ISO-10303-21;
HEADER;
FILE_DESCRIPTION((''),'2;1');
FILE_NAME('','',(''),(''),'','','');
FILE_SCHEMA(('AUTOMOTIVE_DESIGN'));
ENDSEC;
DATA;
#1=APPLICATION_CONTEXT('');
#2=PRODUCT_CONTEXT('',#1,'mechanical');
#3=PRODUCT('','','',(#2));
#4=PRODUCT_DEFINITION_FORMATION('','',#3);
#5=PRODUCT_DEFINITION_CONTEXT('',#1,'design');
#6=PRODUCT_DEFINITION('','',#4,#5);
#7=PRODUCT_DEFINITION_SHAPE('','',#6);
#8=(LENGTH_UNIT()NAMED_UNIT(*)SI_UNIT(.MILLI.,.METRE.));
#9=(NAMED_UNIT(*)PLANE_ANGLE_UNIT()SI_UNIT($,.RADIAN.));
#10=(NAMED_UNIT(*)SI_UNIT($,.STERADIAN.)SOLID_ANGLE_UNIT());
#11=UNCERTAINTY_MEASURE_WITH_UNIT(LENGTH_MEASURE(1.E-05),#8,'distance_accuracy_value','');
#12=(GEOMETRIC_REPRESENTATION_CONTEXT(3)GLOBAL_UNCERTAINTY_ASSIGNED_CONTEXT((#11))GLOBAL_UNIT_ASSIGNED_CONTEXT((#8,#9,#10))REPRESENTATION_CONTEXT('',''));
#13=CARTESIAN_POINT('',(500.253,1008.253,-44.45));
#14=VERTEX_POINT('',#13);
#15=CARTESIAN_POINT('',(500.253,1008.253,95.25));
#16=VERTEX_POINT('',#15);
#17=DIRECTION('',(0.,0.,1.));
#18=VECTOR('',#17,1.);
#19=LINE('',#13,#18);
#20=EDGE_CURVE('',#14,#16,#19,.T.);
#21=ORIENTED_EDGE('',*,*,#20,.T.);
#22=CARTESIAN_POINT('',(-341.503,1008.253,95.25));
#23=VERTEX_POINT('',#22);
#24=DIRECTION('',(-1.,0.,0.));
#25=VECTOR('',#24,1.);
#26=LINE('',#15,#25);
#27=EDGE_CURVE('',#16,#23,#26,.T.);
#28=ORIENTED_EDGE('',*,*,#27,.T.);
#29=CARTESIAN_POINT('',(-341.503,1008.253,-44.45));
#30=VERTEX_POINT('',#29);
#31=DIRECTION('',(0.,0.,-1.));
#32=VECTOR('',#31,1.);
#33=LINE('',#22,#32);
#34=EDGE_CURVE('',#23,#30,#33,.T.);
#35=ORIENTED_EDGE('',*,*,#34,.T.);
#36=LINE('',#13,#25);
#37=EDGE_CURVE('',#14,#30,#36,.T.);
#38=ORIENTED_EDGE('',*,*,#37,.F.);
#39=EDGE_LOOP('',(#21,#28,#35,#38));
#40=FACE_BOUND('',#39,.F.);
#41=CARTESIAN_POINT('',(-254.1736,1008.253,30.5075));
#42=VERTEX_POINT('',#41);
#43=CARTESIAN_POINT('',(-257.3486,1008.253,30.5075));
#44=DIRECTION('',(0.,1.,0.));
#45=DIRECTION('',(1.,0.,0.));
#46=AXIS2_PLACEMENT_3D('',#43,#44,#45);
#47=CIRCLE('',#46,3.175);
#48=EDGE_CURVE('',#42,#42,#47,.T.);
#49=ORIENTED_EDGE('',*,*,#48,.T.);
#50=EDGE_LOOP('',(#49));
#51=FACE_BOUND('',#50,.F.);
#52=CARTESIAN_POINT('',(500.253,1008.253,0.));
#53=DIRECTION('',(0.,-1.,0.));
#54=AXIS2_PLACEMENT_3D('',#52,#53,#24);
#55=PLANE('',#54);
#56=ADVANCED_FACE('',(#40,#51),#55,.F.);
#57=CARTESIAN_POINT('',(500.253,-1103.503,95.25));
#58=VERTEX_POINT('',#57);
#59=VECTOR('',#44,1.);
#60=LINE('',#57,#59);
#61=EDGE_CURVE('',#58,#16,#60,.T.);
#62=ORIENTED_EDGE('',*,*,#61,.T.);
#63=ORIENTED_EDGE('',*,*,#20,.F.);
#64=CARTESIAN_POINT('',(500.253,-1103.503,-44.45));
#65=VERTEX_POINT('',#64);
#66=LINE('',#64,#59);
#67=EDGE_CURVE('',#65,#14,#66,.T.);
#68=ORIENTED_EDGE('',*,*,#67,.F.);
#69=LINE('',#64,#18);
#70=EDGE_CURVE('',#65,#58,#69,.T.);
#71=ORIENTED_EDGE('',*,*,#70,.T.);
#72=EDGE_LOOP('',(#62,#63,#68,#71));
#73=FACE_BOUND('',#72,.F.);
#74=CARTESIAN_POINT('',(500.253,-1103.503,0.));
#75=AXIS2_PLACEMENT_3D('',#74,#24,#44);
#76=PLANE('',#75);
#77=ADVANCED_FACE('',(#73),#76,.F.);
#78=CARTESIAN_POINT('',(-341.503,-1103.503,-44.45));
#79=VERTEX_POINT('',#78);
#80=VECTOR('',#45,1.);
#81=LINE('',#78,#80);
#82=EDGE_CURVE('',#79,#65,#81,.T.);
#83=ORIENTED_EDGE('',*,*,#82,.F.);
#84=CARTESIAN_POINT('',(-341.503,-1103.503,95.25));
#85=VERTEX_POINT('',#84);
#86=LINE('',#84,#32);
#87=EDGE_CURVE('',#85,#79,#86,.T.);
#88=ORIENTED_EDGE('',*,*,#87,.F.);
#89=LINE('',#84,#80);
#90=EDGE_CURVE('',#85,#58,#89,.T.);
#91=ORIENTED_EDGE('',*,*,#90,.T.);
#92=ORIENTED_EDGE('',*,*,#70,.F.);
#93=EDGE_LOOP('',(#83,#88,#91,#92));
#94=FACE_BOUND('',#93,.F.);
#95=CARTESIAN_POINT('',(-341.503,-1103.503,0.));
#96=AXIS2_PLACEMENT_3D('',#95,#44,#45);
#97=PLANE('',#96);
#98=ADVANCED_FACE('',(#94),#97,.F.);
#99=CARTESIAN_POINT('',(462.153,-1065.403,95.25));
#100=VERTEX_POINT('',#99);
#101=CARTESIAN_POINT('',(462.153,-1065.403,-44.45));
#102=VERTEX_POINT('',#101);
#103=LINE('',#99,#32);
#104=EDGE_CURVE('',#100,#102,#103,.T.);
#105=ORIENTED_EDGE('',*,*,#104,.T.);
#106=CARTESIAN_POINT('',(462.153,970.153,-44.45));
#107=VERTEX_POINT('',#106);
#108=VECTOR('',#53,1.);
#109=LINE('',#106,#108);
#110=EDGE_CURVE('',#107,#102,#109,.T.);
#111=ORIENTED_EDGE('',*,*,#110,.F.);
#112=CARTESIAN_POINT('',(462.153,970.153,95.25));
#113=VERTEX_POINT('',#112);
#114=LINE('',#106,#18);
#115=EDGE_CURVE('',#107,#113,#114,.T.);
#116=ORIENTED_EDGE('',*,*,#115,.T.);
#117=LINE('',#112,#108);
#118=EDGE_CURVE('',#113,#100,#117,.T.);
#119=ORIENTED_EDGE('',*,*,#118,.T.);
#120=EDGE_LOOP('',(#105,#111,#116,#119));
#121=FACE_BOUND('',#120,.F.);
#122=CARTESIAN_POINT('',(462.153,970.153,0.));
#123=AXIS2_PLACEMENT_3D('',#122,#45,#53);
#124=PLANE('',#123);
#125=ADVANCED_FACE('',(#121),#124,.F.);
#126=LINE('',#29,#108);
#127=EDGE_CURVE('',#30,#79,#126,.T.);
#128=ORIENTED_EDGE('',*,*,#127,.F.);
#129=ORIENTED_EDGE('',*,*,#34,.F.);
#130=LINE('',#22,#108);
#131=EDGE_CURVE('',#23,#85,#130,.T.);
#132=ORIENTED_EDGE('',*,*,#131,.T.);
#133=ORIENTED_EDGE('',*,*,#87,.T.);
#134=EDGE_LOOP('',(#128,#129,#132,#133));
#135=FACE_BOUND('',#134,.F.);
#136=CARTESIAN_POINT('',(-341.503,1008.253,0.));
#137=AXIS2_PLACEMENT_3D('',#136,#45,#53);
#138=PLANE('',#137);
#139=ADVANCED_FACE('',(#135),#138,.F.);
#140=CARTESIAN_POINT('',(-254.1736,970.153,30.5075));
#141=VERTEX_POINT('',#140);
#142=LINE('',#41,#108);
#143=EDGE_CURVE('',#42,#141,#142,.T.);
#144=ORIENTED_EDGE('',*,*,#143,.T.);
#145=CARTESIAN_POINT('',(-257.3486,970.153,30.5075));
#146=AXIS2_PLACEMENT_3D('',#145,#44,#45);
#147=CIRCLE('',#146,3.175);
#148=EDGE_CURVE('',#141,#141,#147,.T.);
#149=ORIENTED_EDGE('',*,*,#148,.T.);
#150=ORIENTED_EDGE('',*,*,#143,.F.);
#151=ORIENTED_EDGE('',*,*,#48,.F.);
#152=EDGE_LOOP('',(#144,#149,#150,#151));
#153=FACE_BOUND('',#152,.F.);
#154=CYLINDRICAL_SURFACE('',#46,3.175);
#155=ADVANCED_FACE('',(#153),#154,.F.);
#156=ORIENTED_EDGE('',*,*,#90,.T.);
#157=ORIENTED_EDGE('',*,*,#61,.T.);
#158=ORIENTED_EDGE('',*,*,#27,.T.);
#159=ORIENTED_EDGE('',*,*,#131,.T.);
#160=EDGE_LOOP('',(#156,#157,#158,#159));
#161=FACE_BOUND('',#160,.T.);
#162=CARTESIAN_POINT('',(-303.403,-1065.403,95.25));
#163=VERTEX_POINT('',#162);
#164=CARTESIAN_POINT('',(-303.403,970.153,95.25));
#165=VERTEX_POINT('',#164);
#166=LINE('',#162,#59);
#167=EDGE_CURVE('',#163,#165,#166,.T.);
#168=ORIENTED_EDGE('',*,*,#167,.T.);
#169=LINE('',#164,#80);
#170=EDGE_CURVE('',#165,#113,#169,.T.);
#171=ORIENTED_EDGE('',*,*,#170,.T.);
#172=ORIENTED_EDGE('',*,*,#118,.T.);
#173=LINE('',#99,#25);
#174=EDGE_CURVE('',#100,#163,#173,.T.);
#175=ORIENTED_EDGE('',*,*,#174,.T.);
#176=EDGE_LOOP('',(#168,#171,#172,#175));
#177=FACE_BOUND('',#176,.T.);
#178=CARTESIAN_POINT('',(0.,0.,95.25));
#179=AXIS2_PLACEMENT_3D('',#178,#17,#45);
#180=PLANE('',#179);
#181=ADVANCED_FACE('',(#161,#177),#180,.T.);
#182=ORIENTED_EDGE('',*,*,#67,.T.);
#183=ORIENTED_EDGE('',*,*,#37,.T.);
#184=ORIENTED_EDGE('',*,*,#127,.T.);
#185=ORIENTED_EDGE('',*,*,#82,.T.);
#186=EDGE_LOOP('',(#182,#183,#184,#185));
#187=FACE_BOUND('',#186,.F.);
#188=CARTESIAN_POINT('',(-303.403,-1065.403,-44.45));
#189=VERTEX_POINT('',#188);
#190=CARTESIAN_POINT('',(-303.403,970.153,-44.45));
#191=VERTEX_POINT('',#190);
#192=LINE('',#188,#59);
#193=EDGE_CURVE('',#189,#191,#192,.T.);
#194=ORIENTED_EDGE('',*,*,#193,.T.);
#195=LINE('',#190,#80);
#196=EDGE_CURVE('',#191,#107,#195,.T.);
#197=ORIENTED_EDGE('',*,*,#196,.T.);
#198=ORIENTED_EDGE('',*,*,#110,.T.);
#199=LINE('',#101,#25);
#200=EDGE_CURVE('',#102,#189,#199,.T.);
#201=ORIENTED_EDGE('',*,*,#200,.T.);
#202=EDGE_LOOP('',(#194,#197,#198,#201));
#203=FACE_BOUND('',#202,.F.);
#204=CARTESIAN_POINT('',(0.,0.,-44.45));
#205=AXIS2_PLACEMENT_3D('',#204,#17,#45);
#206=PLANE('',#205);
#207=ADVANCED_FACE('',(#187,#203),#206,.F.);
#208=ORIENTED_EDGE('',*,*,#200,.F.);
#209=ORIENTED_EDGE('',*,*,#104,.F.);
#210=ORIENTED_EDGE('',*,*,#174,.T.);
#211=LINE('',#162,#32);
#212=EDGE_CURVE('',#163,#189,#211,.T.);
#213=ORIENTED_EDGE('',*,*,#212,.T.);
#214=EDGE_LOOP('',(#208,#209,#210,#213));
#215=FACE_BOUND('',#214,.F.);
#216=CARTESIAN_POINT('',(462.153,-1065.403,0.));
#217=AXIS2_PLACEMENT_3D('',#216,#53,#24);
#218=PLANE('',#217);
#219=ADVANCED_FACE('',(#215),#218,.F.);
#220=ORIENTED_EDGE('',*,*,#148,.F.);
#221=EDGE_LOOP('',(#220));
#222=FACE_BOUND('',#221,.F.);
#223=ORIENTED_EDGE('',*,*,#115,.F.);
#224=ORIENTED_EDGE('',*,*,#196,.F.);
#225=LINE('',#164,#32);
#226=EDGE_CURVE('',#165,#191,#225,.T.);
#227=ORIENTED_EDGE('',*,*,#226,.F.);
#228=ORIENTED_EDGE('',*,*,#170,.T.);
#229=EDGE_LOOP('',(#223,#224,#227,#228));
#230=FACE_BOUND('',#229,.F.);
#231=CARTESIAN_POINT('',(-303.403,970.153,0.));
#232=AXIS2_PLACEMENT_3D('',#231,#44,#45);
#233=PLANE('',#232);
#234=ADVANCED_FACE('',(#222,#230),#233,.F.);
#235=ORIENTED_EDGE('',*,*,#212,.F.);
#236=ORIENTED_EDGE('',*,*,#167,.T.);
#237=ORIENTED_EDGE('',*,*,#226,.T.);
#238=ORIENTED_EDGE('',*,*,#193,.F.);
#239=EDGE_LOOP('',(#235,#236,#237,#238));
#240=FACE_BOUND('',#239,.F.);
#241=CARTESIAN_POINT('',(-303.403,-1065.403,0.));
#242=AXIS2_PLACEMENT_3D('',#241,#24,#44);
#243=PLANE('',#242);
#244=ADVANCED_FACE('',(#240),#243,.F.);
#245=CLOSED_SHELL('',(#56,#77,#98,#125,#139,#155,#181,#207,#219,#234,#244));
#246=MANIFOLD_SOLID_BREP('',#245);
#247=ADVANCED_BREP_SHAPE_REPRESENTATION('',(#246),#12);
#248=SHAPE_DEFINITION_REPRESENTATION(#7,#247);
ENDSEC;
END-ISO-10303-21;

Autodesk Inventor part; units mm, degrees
ref_plane "YZ Plane" through (0, 0, 0) normal (1, 0, 0) x (0, 1, 0)
ref_plane "XZ Plane" through (0, 0, 0) normal (0, 1, 0) x (-1, 0, 0)
ref_plane "XY Plane" through (0, 0, 0) normal (0, 0, 1) x (1, 0, 0)
ref_plane "Work Plane1" through (0, 0, 0) normal (0, 0, 1) x (1, 0, 0)
sketch "Sketch1" plane through (0, 0, 0) normal (0, 0, 1) x (1, 0, 0)
  line L0 (-295.275, -1057.275) -> (454.025, -1057.275) projected
  line L1 (454.025, -1057.275) -> (454.025, 962.025) projected
  circle A0 centre (384.175, -28.575) radius 31.4325 projected
  line L2 (454.025, 962.025) -> (-295.275, 962.025) projected
  line L3 (-295.275, 962.025) -> (-295.275, -1057.275) projected
  line L4 (462.153, 970.153) -> (462.153, -1065.403)
  line L5 (462.153, -1065.403) -> (-303.403, -1065.403)
  line L6 (-303.403, -1065.403) -> (-303.403, 970.153)
  line L7 (-303.403, 970.153) -> (462.153, 970.153)
  line L8 (500.253, -1103.503) -> (500.253, 1008.253)
  line L9 (500.253, 1008.253) -> (-341.503, 1008.253)
  line L10 (-341.503, 1008.253) -> (-341.503, -1103.503)
  line L11 (-341.503, -1103.503) -> (500.253, -1103.503)
  point P0 (-454.025, -1057.275)
  point P1 (454.025, 1057.275)
  point P2 (-454.025, 1057.275)
  point P3 (-454.025, 933.45)
  point P4 (-454.025, 819.15)
  point P5 (-454.025, 114.3)
  point P6 (-454.025, 0)
  point P7 (-454.025, -704.85)
  point P8 (-454.025, -819.15)
  dimension "d17" = 8.128
  dimension "d18" = 38.1
extrude "Extrusion1" add sketch "Sketch1" along normal blind 95.25 and the other way blind 44.45 contours L11 L10 L9 L8
sketch "Sketch2" plane through (-341.503, 1008.253, 95.25) normal (0, 1, 0) x (1, 0, 0)
  circle A0 centre (84.1544, 64.7425) radius 3.175
  point P0 (341.503, 95.25)
  dimension "d19" = 6.35
extrude "Extrusion2" cut sketch "Sketch2" against normal blind 95.25
properties part number "DoorFrame"
